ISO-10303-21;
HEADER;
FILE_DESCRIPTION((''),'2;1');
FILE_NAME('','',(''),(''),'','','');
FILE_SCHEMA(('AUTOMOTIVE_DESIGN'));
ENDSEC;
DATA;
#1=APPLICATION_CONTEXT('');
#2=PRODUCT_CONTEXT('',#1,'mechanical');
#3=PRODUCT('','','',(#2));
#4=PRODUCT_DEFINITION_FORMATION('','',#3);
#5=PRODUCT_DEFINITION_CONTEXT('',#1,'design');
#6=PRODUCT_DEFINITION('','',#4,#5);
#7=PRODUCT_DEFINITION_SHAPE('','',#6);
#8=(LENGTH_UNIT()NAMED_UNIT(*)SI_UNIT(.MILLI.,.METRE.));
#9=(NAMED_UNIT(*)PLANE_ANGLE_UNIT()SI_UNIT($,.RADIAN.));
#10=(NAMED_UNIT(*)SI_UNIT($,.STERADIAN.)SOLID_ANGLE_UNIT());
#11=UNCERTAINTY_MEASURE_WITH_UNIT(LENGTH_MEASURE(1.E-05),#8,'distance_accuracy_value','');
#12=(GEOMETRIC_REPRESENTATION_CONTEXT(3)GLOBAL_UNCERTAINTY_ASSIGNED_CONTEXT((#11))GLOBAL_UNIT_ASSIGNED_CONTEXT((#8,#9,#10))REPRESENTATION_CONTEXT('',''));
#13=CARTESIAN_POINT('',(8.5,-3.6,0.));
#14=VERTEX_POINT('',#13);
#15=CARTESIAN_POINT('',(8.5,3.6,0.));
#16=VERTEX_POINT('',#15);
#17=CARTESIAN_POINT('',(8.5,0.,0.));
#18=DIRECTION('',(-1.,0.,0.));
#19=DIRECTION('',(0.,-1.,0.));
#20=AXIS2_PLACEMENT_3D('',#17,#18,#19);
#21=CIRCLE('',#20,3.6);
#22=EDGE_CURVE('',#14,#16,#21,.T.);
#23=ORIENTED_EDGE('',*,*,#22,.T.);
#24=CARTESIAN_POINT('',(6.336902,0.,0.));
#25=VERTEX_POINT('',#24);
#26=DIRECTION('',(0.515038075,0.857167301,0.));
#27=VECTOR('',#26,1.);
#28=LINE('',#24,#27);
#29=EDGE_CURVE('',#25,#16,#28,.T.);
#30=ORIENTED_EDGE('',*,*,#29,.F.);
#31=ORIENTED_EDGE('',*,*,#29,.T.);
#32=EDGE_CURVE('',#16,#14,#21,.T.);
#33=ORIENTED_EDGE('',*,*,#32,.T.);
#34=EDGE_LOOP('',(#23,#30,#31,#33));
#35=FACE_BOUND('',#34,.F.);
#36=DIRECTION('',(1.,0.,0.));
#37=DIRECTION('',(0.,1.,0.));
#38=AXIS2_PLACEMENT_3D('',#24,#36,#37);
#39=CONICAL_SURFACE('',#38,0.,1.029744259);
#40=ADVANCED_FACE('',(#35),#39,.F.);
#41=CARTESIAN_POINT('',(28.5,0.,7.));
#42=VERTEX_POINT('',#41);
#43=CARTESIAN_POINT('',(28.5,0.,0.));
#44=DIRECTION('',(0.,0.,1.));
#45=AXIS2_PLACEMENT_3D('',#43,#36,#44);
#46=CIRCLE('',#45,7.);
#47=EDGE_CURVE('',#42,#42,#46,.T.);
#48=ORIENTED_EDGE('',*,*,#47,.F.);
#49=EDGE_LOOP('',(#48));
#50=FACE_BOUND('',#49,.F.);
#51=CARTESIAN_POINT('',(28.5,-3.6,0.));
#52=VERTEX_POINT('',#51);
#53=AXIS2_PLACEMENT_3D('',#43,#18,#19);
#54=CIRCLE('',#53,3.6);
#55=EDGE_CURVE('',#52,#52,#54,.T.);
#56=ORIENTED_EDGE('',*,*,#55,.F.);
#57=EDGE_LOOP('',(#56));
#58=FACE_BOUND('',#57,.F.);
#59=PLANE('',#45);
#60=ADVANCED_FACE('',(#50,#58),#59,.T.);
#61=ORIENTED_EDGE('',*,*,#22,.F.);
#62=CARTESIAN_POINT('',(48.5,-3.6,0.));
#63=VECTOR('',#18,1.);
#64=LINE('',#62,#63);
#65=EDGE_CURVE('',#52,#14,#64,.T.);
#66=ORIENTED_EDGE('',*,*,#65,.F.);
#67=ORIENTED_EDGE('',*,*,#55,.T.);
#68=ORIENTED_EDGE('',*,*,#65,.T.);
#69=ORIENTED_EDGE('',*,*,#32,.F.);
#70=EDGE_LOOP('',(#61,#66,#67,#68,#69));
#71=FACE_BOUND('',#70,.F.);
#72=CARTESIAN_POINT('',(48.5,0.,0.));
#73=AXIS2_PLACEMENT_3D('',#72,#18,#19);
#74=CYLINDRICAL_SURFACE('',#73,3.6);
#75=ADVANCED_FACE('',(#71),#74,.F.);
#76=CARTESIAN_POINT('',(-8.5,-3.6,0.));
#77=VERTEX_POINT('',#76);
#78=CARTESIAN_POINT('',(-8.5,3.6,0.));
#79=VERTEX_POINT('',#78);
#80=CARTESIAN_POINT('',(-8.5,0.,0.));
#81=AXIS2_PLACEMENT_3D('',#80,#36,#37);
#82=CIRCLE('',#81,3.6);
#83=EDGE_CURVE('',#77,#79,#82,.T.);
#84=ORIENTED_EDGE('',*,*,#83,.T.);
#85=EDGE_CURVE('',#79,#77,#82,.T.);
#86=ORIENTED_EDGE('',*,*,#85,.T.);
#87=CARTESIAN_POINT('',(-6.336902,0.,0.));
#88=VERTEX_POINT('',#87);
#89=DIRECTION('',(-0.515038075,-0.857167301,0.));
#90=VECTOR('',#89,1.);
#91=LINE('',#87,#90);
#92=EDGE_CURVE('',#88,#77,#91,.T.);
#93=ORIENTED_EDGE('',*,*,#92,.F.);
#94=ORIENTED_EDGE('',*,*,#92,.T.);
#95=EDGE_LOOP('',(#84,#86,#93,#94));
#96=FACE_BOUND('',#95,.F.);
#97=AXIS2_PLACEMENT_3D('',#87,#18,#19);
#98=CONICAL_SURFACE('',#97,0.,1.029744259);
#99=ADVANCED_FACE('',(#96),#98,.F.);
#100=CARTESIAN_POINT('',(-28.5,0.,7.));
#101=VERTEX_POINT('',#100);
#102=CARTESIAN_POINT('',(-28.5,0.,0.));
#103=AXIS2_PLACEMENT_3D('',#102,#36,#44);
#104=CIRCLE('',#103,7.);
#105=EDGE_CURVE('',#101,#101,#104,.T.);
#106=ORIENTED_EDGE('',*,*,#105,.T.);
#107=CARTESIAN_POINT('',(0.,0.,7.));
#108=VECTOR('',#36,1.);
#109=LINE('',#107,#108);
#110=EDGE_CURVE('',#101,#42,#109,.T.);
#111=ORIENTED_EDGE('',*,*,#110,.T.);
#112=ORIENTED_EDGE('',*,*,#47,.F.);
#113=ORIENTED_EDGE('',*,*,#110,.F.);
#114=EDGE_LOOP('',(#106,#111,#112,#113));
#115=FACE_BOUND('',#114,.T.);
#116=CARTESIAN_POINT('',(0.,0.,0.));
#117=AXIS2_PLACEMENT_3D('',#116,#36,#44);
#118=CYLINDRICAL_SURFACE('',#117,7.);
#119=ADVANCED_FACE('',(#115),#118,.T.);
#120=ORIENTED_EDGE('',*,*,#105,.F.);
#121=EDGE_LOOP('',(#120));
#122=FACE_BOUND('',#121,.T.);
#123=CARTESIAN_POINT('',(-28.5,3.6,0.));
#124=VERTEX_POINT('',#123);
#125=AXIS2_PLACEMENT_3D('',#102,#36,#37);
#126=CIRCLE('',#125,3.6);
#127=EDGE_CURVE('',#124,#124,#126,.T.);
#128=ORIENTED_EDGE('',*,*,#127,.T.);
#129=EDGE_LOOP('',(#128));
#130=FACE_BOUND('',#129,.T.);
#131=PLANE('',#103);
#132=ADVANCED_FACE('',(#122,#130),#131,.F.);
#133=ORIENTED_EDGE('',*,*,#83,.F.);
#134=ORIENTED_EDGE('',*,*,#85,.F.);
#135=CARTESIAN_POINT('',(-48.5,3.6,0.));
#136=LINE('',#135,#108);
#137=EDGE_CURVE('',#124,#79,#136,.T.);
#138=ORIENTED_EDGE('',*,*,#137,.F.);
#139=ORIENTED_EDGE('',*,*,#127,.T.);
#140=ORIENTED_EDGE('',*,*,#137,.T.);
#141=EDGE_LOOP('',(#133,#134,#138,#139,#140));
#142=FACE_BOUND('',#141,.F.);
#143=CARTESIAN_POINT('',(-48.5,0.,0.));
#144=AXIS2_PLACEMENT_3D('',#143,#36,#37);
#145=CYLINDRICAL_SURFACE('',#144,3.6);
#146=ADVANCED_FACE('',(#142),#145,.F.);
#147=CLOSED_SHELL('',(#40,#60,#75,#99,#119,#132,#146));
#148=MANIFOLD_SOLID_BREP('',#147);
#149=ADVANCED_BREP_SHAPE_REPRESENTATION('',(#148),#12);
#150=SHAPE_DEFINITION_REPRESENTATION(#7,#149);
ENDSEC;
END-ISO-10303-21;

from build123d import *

# Parameters (mm, degrees)
F0_W     = 57
F0_H     = 7
F3_D     = 7.2
F3_DEPTH = 20
F3_TIP   = 2.1630982285
F5_D     = 7.2
F5_DEPTH = 20
F5_TIP   = 2.1630982285


with BuildPart() as f1:
    # F0 (on Front) → F1 (revolve)
    with BuildSketch(Plane.XZ):
        with Locations((0, 3.5)):
            Rectangle(F0_W, F0_H)
    revolve(axis=Axis((-4.6887677163, 0, 0), (1, 0, 0)))

    # F3
    with Locations(Plane.YZ.offset(28.5)):
        with Locations((0, 0)):
            Hole(F3_D / 2, depth=F3_DEPTH)
            with Locations((0, 0, -(F3_DEPTH + F3_TIP / 2))):  # 118° drill point
                Cone(0, F3_D / 2, F3_TIP, mode=Mode.SUBTRACT)

    # F5
    with Locations(Plane(origin=(-28.5, 0, 0), x_dir=(0, -1, 0), z_dir=(-1, 0, 0))):
        with Locations((0, 0)):
            Hole(F5_D / 2, depth=F5_DEPTH)
            with Locations((0, 0, -(F5_DEPTH + F5_TIP / 2))):  # 118° drill point
                Cone(0, F5_D / 2, F5_TIP, mode=Mode.SUBTRACT)


solid = f1.part
